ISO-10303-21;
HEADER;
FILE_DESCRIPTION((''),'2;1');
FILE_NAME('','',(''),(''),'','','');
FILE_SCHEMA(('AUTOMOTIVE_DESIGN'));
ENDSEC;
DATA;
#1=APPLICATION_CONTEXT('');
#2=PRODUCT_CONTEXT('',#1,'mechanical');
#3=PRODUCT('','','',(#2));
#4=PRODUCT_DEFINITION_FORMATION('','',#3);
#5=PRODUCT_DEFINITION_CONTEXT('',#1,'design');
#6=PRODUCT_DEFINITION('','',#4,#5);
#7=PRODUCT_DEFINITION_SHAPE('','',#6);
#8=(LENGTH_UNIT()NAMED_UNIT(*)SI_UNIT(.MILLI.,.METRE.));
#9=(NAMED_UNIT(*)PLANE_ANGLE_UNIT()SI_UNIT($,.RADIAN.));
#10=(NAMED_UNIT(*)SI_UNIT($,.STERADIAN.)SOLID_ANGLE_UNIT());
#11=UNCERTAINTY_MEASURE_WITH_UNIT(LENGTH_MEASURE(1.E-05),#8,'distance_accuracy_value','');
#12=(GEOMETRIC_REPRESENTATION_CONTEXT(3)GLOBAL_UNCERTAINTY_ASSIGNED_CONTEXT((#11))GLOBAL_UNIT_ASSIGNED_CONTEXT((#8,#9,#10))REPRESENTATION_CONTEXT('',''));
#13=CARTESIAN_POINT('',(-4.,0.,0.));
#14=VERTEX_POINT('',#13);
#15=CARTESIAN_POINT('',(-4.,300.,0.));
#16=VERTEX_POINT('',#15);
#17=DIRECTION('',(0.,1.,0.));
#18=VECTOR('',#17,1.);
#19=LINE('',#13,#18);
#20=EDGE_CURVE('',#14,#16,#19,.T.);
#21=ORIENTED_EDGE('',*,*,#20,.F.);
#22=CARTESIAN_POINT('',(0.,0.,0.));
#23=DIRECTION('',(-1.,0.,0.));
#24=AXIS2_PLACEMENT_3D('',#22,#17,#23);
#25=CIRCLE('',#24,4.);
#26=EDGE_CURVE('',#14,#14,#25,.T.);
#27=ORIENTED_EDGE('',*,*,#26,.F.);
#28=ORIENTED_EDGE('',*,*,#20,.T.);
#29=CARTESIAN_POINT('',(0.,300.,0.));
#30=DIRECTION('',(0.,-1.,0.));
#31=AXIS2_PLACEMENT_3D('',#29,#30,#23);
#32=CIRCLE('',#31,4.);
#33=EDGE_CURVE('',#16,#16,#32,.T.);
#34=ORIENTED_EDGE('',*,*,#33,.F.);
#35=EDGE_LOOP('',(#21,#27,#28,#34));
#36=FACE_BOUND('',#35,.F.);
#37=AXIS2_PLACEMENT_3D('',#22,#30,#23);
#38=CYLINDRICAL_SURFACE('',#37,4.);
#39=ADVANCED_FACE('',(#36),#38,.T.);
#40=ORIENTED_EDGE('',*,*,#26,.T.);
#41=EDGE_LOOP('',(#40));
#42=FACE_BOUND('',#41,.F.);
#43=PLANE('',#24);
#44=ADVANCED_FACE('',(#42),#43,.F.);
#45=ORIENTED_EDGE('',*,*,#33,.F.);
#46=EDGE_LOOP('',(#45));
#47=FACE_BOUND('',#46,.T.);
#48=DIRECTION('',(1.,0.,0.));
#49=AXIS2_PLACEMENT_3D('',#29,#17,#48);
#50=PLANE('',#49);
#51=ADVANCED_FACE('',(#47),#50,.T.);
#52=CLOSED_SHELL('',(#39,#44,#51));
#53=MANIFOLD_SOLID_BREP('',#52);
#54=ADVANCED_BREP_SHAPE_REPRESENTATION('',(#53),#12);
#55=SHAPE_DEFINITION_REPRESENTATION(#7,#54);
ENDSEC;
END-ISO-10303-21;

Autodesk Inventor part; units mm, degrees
ref_plane "YZ Plane" through (0, 0, 0) normal (1, 0, 0) x (0, 1, 0)
ref_plane "XZ Plane" through (0, 0, 0) normal (0, 1, 0) x (-1, 0, 0)
ref_plane "XY Plane" through (0, 0, 0) normal (0, 0, 1) x (1, 0, 0)
sketch "Boceto1" plane through (0, 0, 0) normal (0, 1, 0) x (-1, 0, 0)
  circle A0 centre (0, 0) radius 4
  dimension "d0" = 8
extrude "Extrusión1" add sketch "Boceto1" along normal blind 400
thread "Rosca1" size "M8x1.25" class "6g" standard "ISO Metric profile" full length
sketch "Boceto2" plane through (0, 400, 0) normal (0, 1, 0) x (1, 0, 0)
  circle A0 centre (0, 0) radius 4
extrude "Extrusión2" cut sketch "Boceto2" against normal blind 23
sketch "Boceto3" plane through (0, 377, 0) normal (0, 1, 0) x (1, 0, 0)
  circle A0 centre (0, 0) radius 4
extrude "Extrusión3" cut sketch "Boceto3" against normal blind 77
properties part number "tornillo"
